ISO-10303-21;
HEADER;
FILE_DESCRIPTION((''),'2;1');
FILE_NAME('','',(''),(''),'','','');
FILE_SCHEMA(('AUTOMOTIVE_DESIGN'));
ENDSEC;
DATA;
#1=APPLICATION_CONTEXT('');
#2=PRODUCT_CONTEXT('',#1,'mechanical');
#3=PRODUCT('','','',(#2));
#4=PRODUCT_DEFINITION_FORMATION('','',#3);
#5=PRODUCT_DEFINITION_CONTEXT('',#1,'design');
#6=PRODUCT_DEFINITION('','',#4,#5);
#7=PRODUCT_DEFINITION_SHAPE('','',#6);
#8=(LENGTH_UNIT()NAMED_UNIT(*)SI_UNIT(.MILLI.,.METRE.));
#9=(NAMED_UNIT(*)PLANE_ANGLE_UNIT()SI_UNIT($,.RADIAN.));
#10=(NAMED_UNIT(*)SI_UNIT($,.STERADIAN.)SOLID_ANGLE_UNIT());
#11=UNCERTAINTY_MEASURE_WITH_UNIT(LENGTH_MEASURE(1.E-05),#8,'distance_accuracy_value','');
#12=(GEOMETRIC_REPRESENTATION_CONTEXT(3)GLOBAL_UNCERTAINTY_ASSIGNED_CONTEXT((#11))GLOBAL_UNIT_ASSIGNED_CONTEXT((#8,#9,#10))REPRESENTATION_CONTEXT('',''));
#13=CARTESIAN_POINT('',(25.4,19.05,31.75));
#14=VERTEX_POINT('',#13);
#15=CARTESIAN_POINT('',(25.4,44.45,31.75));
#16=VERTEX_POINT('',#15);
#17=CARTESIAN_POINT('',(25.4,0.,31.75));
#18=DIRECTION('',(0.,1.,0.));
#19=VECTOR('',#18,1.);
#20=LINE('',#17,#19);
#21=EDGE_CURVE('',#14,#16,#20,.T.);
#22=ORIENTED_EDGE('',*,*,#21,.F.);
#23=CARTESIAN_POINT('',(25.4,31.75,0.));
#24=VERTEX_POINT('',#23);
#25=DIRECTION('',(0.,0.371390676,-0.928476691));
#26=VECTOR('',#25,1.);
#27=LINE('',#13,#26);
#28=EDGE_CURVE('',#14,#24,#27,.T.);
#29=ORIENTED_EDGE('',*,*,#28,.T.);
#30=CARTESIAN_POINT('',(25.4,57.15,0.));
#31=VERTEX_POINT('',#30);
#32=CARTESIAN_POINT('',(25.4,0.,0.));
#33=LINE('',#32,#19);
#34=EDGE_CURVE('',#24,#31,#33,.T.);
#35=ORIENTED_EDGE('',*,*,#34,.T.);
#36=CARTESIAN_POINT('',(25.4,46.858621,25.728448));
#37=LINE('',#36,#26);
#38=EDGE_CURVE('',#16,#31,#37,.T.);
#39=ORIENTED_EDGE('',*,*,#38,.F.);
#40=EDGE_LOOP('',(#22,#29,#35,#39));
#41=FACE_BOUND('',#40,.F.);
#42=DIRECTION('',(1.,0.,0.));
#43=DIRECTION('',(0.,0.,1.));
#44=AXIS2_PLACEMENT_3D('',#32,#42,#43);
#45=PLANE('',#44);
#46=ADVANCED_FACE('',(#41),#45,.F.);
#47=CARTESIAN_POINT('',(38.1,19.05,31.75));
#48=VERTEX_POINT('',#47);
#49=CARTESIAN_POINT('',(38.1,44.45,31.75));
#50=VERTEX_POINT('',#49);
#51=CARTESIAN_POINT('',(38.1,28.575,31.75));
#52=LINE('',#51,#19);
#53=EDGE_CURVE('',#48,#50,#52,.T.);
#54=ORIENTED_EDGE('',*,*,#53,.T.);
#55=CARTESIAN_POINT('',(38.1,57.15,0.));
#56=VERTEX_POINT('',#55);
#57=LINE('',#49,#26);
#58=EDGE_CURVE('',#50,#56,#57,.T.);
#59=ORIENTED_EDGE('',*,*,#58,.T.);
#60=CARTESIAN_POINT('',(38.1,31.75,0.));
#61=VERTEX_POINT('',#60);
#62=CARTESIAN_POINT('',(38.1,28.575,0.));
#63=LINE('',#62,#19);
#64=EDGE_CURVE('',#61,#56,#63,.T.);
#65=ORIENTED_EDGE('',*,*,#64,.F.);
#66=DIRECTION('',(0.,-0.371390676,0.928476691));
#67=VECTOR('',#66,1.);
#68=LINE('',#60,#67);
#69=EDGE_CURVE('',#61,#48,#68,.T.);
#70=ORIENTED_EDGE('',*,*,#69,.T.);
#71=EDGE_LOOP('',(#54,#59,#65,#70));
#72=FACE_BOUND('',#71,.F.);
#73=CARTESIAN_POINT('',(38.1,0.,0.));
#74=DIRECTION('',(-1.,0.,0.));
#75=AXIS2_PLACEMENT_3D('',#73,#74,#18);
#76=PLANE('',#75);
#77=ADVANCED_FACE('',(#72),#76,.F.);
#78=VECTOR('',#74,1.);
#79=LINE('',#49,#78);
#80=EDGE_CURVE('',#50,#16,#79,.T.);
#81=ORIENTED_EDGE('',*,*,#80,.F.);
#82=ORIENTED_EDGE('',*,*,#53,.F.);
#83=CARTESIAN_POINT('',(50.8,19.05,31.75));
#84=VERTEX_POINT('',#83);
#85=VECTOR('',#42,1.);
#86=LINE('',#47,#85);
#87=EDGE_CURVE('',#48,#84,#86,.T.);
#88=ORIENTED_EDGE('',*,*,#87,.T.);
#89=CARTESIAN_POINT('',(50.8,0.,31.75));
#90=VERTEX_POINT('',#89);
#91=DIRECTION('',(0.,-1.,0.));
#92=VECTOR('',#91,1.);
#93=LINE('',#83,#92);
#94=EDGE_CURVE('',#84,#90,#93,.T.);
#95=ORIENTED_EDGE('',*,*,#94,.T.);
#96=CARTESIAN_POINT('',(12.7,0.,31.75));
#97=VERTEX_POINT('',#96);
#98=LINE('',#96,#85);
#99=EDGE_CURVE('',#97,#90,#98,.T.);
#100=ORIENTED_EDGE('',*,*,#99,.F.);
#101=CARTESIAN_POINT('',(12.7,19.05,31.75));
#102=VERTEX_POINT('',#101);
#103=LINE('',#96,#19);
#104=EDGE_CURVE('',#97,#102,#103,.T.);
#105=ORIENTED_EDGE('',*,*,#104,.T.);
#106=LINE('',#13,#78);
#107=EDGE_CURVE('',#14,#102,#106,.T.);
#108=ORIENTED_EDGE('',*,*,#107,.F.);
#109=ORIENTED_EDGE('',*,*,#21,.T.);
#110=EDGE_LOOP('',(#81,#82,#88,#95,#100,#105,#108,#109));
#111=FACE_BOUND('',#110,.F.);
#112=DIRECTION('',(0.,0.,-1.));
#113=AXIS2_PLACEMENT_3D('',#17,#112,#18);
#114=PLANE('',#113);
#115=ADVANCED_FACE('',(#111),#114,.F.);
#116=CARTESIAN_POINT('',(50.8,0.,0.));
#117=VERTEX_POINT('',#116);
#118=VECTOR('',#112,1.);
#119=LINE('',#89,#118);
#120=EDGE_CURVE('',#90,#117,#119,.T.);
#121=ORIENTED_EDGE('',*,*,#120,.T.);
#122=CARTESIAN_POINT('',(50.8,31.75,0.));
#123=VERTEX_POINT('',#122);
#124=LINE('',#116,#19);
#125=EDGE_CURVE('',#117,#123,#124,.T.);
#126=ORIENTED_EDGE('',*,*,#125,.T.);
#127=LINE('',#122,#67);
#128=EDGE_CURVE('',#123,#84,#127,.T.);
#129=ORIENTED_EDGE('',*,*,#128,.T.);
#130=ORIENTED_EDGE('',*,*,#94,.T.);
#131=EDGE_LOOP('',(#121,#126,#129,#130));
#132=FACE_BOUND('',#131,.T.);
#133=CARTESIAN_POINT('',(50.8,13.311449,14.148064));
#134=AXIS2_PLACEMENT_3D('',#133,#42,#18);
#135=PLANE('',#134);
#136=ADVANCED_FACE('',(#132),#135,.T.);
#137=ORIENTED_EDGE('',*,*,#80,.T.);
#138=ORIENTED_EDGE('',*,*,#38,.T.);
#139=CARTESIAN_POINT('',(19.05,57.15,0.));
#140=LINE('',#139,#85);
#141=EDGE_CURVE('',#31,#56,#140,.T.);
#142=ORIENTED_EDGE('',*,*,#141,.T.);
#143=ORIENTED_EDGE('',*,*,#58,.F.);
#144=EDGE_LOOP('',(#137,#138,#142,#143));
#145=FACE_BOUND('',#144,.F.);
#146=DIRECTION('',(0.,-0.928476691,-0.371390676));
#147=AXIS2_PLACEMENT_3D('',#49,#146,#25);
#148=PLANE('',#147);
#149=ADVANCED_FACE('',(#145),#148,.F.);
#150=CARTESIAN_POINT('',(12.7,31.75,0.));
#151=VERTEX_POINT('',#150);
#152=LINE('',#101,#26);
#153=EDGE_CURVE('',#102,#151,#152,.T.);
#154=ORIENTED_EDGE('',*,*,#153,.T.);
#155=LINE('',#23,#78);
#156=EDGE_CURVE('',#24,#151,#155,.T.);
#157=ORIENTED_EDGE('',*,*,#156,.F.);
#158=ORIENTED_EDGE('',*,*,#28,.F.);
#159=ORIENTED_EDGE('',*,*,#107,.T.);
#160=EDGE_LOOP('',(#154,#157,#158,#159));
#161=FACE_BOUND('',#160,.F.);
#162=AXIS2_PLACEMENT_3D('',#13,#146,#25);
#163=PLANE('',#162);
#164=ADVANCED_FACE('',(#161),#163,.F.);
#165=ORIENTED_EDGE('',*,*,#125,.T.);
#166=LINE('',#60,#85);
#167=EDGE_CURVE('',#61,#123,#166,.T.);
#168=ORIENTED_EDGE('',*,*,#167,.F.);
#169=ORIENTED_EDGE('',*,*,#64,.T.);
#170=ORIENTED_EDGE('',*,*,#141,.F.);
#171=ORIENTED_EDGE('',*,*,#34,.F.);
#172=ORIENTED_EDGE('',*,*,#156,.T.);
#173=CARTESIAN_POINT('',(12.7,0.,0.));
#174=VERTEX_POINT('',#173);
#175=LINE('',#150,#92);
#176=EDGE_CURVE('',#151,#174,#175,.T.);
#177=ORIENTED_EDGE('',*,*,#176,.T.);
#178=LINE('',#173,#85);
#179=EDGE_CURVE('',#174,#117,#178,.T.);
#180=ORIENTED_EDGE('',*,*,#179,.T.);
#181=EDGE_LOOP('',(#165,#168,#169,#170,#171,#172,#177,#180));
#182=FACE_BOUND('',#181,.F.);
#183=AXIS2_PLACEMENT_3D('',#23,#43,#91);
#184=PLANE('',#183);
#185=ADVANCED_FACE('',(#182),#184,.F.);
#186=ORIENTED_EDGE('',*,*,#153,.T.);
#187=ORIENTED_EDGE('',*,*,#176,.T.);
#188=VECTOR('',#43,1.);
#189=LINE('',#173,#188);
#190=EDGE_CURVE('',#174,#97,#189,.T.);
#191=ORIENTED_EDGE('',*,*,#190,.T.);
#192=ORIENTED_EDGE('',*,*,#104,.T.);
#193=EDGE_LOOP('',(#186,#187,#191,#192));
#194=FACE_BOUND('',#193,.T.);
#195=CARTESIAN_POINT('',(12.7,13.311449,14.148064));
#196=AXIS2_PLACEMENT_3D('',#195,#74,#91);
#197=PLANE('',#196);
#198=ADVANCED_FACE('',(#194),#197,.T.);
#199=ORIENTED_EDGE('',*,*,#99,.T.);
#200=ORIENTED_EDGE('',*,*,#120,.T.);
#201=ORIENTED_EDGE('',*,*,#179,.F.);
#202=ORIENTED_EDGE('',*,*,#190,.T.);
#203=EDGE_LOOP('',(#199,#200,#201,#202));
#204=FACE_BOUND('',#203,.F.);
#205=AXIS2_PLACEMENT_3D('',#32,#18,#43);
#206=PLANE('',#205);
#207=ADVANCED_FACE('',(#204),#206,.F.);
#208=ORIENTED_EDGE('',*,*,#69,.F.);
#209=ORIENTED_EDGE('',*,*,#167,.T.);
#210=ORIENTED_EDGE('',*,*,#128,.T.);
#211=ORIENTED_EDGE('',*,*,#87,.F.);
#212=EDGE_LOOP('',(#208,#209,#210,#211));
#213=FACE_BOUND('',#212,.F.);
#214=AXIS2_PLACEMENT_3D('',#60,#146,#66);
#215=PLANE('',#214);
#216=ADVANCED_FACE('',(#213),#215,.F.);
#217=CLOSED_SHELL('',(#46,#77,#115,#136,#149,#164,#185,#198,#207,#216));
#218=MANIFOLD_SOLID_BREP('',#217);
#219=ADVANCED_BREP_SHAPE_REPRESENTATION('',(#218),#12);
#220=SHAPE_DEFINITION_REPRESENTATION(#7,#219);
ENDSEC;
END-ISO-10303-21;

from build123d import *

# Parameters (mm, degrees)
F0_W     = 38.1
F0_H     = 57.15
F1_DEPTH = 31.75
F2_W     = 25.4
F2_H     = 31.75
F3_DEPTH = 76.2
F5_DEPTH = 12.7
F7_DEPTH = 12.7
F9_DEPTH = 25.4


with BuildPart() as f1:
    # F0 (on Top) → F1 (new body)
    with BuildSketch(Plane.XY):
        with Locations((19.05, 28.575)):
            Rectangle(F0_W, F0_H)
    extrude(amount=F1_DEPTH)

    # F2 (on face) → F3 (cut)
    with BuildSketch(Plane.XZ):
        with Locations((12.7, 15.875)):
            Rectangle(F2_W, F2_H)
    extrude(amount=-F3_DEPTH, mode=Mode.SUBTRACT)

    # F4 (on face) → F5 (join)
    with BuildSketch(Plane.YZ.offset(38.1)):
        Polygon((19.05, 31.75), (0, 31.75), (0, 0), (31.75, 0), align=None)
    extrude(amount=F5_DEPTH)

    # F6 (on face) → F7 (join)
    with BuildSketch(Plane(origin=(25.4, 0, 0), x_dir=(0, -1, 0), z_dir=(-1, 0, 0))):
        Polygon((0, 31.75), (-19.05, 31.75), (-31.75, 0), (0, 0), align=None)
    extrude(amount=F7_DEPTH)

    # F8 (on face) → F9 (cut)
    with BuildSketch(Plane.YZ.offset(38.1)):
        Polygon((57.15, 31.75), (44.45, 31.75), (57.15, 0), align=None)
    extrude(amount=-F9_DEPTH, mode=Mode.SUBTRACT)


solid = f1.part
